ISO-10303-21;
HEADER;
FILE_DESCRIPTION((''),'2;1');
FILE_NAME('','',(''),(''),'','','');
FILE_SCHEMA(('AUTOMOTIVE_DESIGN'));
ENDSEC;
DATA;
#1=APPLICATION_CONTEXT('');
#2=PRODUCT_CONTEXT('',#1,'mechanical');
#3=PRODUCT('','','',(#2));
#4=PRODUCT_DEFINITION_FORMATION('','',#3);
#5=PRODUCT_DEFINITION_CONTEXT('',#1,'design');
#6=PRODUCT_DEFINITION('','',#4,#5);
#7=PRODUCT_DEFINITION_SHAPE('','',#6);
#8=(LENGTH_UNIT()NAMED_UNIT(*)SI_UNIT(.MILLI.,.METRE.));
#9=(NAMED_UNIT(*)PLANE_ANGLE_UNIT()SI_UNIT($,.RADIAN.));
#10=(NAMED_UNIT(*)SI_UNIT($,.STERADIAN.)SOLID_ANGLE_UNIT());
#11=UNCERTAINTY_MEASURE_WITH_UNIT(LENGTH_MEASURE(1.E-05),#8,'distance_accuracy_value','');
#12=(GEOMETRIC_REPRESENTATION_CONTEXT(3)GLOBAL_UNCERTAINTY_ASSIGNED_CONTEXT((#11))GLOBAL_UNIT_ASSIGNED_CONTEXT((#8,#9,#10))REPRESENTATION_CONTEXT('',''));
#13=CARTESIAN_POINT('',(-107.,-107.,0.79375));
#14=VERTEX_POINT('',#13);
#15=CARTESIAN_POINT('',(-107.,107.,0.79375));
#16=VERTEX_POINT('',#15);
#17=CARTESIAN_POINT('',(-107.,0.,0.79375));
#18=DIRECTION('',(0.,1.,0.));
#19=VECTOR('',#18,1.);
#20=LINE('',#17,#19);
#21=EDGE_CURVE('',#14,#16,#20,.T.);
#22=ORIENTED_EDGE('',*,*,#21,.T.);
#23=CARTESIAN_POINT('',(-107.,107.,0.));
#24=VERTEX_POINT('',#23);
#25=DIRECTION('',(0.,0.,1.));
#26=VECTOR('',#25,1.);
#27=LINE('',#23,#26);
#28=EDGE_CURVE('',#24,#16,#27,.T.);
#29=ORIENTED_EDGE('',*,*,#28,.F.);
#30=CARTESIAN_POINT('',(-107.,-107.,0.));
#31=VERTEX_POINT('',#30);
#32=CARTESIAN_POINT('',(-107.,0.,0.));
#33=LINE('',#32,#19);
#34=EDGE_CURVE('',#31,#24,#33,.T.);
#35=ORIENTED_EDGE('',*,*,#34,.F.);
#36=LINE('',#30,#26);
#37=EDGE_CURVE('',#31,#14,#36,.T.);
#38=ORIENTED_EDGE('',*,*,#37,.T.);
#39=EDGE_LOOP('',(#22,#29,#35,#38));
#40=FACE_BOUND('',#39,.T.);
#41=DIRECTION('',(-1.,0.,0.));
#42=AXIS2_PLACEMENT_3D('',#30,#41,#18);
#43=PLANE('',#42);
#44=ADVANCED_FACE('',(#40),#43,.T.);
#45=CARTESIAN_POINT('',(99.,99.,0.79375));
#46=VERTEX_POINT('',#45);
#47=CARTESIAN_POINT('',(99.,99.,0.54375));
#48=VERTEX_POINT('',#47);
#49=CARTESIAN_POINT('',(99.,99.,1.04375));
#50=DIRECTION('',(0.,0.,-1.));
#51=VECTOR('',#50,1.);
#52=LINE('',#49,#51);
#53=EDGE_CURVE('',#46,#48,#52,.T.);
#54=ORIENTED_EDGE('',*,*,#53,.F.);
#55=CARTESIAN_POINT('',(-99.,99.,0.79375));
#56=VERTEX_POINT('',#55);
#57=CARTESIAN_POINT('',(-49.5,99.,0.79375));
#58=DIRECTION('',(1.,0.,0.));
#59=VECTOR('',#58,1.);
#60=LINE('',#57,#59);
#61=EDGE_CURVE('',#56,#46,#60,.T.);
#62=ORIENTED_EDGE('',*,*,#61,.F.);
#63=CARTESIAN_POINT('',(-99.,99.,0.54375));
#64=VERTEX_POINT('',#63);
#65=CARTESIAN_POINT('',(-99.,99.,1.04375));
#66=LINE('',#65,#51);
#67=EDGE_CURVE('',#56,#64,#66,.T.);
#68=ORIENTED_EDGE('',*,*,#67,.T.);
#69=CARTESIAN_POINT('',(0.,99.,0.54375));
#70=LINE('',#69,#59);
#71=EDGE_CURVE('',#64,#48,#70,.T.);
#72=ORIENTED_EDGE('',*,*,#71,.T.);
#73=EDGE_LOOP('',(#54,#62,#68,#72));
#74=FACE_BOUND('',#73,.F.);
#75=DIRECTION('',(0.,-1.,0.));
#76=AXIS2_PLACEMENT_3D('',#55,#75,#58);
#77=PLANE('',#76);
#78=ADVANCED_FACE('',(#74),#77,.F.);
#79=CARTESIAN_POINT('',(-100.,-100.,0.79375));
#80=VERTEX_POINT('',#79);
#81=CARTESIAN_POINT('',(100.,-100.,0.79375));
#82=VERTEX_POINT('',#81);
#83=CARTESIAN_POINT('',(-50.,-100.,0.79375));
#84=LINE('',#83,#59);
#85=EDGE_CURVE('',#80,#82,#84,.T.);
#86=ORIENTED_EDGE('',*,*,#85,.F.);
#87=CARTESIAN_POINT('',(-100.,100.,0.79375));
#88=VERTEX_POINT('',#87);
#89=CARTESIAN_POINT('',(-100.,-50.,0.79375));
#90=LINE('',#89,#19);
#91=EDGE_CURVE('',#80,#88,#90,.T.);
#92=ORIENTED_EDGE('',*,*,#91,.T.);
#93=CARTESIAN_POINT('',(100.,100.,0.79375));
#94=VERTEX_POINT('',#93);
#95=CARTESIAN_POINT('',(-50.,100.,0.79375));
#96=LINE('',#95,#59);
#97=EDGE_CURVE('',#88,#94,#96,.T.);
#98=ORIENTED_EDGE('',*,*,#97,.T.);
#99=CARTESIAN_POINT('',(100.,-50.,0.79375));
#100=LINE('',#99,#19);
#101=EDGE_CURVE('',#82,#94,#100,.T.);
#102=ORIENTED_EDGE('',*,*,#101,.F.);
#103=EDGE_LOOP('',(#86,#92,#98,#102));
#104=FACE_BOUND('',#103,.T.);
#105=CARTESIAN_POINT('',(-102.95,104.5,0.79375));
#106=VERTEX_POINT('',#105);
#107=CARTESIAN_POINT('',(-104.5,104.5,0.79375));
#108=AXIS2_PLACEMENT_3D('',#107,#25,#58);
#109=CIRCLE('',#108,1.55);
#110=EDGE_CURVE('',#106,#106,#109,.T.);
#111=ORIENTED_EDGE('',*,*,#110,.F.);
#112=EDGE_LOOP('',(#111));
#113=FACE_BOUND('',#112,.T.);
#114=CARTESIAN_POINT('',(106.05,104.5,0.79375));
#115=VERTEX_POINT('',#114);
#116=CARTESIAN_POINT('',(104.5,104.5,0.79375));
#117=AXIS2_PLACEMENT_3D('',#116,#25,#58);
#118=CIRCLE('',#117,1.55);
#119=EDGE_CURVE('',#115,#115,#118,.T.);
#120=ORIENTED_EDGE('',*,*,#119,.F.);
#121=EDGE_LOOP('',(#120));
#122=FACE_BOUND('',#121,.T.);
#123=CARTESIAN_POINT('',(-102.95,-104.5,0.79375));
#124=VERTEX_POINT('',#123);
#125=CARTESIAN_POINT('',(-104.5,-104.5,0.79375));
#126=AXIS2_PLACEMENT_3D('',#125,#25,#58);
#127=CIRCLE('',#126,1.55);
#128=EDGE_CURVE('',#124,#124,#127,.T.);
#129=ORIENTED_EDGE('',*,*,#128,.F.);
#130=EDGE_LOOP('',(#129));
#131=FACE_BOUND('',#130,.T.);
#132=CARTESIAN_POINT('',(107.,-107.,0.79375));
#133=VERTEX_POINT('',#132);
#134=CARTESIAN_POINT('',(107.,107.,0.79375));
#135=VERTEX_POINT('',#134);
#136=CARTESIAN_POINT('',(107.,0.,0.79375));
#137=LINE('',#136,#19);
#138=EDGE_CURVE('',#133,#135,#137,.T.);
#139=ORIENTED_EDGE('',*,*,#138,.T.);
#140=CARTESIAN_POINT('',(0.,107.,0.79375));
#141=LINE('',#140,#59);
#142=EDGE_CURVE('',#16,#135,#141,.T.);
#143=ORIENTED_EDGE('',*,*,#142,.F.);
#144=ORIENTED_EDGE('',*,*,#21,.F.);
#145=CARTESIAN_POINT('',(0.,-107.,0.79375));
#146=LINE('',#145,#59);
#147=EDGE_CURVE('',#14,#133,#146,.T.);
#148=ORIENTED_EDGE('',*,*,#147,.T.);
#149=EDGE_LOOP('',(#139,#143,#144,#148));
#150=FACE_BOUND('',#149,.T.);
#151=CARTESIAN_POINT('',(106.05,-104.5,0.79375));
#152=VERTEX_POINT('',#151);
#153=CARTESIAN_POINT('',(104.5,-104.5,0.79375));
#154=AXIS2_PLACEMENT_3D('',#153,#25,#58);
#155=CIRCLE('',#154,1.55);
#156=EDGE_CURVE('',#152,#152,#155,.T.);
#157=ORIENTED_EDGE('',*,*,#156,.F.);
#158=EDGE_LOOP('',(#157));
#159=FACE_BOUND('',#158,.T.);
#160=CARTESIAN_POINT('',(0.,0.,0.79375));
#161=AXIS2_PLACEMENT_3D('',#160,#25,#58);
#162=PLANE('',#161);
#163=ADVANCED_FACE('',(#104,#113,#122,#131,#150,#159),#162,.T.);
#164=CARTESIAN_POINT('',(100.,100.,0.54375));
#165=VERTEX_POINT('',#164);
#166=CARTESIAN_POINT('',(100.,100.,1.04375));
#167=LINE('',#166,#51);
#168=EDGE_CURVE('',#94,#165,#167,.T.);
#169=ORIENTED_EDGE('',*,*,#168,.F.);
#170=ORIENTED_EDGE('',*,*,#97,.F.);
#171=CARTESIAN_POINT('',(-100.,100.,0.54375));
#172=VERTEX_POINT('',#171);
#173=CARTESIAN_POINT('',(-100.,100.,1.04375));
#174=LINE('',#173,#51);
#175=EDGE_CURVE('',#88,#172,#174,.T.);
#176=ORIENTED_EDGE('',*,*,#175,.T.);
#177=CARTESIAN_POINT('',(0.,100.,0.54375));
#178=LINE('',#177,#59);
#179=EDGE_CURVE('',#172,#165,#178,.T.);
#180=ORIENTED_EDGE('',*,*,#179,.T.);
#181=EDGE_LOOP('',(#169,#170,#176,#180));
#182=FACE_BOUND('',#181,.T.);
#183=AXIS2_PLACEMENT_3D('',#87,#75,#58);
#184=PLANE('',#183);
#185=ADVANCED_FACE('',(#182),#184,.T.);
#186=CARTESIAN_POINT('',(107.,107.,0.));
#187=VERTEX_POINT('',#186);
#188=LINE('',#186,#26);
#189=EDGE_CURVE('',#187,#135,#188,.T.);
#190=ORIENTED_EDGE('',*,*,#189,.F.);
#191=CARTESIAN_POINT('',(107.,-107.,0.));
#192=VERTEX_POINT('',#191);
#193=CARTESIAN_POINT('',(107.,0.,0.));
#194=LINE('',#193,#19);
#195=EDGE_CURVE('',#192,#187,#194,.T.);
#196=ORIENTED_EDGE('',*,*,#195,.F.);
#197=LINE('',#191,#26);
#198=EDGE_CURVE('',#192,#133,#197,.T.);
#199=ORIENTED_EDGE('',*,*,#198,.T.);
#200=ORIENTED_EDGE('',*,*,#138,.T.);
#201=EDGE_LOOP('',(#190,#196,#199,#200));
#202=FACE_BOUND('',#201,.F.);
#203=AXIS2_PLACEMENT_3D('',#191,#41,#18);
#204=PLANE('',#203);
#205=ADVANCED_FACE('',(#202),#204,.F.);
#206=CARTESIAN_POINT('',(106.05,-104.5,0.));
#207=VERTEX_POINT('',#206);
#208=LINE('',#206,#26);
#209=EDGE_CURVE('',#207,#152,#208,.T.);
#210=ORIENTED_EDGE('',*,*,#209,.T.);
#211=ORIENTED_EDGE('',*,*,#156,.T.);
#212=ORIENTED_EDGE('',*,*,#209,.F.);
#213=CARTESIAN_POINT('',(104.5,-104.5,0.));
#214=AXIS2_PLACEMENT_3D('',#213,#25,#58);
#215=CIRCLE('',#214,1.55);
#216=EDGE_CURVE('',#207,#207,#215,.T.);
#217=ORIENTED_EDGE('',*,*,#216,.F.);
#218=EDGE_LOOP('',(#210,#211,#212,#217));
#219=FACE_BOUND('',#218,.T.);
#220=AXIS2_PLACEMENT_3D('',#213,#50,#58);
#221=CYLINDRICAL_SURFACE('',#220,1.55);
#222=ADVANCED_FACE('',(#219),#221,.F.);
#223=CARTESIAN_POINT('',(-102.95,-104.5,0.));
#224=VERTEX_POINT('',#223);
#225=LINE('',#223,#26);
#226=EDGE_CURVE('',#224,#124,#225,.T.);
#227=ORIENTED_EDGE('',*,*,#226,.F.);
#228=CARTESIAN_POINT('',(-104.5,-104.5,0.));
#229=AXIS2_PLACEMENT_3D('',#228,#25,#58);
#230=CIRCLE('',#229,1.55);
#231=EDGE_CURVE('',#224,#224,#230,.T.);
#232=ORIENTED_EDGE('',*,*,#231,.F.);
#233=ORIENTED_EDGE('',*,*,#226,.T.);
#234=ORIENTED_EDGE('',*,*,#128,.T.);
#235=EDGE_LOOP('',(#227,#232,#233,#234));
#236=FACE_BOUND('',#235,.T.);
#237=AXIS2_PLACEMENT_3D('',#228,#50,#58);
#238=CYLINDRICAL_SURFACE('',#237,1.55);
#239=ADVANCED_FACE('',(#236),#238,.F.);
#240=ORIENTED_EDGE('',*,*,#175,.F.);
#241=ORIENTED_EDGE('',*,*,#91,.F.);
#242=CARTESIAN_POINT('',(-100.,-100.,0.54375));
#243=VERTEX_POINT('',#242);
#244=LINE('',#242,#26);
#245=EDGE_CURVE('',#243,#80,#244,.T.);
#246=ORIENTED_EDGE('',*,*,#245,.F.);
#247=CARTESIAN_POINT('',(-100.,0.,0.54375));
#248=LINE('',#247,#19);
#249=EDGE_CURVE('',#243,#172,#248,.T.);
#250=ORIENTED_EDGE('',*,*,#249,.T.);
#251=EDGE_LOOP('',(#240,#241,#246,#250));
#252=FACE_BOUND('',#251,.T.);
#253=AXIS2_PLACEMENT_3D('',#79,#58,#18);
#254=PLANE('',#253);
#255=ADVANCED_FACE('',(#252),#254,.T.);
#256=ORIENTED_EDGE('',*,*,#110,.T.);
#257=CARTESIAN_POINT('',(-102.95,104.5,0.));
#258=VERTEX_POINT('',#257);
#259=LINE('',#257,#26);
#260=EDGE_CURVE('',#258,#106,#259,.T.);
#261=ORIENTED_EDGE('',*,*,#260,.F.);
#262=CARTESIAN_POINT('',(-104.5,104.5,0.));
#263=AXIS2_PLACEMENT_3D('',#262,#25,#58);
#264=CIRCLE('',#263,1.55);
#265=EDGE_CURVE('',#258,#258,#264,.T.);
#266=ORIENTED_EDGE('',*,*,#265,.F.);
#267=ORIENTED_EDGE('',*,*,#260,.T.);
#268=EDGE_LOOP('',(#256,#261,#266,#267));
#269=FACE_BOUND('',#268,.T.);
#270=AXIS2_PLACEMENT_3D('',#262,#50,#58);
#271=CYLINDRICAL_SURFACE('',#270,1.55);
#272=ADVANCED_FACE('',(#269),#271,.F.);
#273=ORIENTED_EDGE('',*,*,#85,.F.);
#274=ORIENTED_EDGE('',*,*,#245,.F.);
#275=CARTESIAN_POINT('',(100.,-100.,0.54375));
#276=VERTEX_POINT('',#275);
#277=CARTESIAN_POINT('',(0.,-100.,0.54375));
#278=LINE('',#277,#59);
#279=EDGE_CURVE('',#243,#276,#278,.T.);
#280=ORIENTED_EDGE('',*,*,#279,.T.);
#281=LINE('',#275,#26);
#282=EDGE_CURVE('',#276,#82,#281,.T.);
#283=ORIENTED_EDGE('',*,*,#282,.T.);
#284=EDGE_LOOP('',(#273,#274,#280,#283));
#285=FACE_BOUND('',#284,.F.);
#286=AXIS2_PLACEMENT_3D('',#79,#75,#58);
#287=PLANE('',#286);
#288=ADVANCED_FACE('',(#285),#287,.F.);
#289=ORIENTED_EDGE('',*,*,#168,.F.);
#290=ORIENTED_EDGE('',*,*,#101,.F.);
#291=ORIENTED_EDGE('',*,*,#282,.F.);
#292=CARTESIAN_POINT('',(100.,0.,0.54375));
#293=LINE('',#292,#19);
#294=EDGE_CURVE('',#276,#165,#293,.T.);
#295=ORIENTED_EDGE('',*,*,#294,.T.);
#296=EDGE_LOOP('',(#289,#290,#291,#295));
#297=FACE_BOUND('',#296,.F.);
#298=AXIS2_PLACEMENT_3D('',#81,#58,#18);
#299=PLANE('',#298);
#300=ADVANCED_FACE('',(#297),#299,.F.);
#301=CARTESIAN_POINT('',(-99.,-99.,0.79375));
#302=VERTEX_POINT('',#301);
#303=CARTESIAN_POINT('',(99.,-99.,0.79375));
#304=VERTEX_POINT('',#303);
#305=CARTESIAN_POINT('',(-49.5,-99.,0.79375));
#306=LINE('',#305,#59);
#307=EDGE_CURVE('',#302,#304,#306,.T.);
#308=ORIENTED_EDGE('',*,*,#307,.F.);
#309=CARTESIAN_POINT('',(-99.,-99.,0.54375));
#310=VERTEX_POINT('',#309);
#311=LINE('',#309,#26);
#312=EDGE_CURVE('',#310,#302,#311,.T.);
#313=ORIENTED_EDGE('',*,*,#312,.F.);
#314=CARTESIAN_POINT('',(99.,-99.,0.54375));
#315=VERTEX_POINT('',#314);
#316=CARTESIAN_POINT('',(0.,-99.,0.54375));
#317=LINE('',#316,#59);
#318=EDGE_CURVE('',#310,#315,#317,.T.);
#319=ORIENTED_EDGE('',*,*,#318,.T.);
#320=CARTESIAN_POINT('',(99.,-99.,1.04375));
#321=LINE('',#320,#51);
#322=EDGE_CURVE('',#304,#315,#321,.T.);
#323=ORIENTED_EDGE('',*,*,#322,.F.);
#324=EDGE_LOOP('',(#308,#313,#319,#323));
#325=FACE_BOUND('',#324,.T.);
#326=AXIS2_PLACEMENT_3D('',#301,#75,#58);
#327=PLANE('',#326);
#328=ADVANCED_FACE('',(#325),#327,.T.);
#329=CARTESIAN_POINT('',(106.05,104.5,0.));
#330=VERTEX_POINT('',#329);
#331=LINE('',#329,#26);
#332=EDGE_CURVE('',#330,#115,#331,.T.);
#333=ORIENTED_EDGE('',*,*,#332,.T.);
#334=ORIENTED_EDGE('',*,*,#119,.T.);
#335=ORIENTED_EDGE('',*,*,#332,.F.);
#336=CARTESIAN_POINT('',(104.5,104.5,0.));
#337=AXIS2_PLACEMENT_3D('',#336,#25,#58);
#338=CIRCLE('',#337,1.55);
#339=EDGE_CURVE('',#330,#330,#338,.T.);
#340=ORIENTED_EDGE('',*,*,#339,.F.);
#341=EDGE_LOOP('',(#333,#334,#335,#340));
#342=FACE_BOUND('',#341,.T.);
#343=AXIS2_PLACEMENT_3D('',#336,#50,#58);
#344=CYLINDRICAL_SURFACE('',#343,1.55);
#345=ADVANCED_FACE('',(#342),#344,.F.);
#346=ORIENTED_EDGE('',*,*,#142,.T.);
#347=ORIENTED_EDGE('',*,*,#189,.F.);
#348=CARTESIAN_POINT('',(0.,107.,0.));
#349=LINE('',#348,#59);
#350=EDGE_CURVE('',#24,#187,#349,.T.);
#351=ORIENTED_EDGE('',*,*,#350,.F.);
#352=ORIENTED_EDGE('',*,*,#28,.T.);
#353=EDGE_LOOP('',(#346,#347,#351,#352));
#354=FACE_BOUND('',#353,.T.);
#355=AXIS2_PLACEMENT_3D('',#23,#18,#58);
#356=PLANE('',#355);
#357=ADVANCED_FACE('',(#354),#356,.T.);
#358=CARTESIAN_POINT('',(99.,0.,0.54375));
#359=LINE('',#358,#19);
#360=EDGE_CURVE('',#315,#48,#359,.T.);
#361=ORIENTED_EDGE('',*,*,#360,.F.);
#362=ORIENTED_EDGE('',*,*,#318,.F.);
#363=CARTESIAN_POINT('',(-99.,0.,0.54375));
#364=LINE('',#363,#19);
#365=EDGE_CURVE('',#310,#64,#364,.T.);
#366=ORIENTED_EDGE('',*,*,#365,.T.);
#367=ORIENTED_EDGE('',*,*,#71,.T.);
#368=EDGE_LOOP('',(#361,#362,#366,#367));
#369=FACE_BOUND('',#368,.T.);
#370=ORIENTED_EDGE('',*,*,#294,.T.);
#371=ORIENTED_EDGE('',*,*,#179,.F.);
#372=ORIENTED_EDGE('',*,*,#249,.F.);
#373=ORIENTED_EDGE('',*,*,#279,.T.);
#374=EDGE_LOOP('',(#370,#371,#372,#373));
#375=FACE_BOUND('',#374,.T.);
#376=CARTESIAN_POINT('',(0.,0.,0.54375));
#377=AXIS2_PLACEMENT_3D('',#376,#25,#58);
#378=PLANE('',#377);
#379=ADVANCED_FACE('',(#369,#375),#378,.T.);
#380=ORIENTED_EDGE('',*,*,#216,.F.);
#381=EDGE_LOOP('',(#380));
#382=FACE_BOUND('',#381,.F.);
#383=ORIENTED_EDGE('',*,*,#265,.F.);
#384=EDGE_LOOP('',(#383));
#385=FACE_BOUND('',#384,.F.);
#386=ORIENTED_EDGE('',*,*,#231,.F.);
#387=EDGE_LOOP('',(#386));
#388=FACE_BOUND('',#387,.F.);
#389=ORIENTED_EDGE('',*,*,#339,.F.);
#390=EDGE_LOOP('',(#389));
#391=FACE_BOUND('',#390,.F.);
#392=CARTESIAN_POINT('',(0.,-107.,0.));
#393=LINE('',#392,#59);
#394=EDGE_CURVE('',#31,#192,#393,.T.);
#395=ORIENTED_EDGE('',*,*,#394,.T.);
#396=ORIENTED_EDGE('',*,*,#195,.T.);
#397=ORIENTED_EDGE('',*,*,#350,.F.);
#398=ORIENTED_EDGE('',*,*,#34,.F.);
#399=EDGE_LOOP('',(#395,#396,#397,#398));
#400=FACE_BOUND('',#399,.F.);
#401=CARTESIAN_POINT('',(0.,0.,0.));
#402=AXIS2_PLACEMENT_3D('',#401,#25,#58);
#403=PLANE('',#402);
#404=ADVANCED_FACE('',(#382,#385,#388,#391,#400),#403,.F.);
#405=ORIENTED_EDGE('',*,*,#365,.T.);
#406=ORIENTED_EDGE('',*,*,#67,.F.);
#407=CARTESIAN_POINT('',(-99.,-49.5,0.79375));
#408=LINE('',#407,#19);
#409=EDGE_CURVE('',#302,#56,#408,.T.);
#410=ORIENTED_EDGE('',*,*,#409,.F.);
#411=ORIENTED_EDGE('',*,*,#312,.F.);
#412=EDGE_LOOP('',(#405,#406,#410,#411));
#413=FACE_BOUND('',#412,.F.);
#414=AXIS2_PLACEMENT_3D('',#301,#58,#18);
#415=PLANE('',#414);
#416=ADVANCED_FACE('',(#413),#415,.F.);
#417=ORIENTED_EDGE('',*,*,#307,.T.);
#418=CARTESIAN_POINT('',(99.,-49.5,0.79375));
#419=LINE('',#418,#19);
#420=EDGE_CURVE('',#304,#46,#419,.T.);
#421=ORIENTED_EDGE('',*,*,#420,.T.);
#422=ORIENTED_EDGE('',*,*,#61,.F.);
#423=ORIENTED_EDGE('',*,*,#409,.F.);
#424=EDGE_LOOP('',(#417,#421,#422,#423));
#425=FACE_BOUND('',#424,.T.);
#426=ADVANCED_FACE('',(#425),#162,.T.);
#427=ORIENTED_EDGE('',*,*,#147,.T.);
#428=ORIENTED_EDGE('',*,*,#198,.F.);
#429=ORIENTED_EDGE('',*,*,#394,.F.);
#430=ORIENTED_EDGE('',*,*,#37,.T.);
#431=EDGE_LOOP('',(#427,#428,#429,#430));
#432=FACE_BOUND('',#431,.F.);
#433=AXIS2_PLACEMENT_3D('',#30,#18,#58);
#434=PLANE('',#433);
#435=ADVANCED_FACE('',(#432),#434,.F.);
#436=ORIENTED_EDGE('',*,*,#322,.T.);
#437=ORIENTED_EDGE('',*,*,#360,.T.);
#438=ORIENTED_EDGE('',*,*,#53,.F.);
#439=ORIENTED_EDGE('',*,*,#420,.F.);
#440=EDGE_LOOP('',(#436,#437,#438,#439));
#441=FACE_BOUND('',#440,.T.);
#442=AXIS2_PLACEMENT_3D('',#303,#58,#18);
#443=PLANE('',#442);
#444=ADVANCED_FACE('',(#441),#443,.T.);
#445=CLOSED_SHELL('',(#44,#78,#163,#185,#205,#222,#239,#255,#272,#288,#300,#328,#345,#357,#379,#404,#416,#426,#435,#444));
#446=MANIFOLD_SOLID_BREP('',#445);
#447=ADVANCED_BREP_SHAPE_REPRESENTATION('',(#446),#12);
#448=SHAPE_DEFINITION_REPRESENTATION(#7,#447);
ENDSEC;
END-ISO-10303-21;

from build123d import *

# Parameters (mm, degrees)
F0_W     = 214
F0_H     = 214
F0_R     = 1.55
F1_DEPTH = 0.79375
F2_W     = 200
F2_H     = 200
F2_W_2   = 198
F2_H_2   = 198
F3_DEPTH = 0.25


with BuildPart() as f1:
    # F0 (on Top) → F1 (new body)
    with BuildSketch(Plane.XY):
        Rectangle(F0_W, F0_H)
        with Locations((-104.5, -104.5)):
            Circle(F0_R, mode=Mode.SUBTRACT)
        with Locations((104.5, -104.5)):
            Circle(F0_R, mode=Mode.SUBTRACT)
        with Locations((-104.5, 104.5)):
            Circle(F0_R, mode=Mode.SUBTRACT)
        with Locations((104.5, 104.5)):
            Circle(F0_R, mode=Mode.SUBTRACT)
    extrude(amount=F1_DEPTH)

    # F2 (on face) → F3 (cut, symmetric)
    with BuildSketch(Plane.XY.offset(0.79375)):
        Rectangle(F2_W, F2_H)
        Rectangle(F2_W_2, F2_H_2, mode=Mode.SUBTRACT)
    extrude(amount=F3_DEPTH, both=True, mode=Mode.SUBTRACT)


solid = f1.part
